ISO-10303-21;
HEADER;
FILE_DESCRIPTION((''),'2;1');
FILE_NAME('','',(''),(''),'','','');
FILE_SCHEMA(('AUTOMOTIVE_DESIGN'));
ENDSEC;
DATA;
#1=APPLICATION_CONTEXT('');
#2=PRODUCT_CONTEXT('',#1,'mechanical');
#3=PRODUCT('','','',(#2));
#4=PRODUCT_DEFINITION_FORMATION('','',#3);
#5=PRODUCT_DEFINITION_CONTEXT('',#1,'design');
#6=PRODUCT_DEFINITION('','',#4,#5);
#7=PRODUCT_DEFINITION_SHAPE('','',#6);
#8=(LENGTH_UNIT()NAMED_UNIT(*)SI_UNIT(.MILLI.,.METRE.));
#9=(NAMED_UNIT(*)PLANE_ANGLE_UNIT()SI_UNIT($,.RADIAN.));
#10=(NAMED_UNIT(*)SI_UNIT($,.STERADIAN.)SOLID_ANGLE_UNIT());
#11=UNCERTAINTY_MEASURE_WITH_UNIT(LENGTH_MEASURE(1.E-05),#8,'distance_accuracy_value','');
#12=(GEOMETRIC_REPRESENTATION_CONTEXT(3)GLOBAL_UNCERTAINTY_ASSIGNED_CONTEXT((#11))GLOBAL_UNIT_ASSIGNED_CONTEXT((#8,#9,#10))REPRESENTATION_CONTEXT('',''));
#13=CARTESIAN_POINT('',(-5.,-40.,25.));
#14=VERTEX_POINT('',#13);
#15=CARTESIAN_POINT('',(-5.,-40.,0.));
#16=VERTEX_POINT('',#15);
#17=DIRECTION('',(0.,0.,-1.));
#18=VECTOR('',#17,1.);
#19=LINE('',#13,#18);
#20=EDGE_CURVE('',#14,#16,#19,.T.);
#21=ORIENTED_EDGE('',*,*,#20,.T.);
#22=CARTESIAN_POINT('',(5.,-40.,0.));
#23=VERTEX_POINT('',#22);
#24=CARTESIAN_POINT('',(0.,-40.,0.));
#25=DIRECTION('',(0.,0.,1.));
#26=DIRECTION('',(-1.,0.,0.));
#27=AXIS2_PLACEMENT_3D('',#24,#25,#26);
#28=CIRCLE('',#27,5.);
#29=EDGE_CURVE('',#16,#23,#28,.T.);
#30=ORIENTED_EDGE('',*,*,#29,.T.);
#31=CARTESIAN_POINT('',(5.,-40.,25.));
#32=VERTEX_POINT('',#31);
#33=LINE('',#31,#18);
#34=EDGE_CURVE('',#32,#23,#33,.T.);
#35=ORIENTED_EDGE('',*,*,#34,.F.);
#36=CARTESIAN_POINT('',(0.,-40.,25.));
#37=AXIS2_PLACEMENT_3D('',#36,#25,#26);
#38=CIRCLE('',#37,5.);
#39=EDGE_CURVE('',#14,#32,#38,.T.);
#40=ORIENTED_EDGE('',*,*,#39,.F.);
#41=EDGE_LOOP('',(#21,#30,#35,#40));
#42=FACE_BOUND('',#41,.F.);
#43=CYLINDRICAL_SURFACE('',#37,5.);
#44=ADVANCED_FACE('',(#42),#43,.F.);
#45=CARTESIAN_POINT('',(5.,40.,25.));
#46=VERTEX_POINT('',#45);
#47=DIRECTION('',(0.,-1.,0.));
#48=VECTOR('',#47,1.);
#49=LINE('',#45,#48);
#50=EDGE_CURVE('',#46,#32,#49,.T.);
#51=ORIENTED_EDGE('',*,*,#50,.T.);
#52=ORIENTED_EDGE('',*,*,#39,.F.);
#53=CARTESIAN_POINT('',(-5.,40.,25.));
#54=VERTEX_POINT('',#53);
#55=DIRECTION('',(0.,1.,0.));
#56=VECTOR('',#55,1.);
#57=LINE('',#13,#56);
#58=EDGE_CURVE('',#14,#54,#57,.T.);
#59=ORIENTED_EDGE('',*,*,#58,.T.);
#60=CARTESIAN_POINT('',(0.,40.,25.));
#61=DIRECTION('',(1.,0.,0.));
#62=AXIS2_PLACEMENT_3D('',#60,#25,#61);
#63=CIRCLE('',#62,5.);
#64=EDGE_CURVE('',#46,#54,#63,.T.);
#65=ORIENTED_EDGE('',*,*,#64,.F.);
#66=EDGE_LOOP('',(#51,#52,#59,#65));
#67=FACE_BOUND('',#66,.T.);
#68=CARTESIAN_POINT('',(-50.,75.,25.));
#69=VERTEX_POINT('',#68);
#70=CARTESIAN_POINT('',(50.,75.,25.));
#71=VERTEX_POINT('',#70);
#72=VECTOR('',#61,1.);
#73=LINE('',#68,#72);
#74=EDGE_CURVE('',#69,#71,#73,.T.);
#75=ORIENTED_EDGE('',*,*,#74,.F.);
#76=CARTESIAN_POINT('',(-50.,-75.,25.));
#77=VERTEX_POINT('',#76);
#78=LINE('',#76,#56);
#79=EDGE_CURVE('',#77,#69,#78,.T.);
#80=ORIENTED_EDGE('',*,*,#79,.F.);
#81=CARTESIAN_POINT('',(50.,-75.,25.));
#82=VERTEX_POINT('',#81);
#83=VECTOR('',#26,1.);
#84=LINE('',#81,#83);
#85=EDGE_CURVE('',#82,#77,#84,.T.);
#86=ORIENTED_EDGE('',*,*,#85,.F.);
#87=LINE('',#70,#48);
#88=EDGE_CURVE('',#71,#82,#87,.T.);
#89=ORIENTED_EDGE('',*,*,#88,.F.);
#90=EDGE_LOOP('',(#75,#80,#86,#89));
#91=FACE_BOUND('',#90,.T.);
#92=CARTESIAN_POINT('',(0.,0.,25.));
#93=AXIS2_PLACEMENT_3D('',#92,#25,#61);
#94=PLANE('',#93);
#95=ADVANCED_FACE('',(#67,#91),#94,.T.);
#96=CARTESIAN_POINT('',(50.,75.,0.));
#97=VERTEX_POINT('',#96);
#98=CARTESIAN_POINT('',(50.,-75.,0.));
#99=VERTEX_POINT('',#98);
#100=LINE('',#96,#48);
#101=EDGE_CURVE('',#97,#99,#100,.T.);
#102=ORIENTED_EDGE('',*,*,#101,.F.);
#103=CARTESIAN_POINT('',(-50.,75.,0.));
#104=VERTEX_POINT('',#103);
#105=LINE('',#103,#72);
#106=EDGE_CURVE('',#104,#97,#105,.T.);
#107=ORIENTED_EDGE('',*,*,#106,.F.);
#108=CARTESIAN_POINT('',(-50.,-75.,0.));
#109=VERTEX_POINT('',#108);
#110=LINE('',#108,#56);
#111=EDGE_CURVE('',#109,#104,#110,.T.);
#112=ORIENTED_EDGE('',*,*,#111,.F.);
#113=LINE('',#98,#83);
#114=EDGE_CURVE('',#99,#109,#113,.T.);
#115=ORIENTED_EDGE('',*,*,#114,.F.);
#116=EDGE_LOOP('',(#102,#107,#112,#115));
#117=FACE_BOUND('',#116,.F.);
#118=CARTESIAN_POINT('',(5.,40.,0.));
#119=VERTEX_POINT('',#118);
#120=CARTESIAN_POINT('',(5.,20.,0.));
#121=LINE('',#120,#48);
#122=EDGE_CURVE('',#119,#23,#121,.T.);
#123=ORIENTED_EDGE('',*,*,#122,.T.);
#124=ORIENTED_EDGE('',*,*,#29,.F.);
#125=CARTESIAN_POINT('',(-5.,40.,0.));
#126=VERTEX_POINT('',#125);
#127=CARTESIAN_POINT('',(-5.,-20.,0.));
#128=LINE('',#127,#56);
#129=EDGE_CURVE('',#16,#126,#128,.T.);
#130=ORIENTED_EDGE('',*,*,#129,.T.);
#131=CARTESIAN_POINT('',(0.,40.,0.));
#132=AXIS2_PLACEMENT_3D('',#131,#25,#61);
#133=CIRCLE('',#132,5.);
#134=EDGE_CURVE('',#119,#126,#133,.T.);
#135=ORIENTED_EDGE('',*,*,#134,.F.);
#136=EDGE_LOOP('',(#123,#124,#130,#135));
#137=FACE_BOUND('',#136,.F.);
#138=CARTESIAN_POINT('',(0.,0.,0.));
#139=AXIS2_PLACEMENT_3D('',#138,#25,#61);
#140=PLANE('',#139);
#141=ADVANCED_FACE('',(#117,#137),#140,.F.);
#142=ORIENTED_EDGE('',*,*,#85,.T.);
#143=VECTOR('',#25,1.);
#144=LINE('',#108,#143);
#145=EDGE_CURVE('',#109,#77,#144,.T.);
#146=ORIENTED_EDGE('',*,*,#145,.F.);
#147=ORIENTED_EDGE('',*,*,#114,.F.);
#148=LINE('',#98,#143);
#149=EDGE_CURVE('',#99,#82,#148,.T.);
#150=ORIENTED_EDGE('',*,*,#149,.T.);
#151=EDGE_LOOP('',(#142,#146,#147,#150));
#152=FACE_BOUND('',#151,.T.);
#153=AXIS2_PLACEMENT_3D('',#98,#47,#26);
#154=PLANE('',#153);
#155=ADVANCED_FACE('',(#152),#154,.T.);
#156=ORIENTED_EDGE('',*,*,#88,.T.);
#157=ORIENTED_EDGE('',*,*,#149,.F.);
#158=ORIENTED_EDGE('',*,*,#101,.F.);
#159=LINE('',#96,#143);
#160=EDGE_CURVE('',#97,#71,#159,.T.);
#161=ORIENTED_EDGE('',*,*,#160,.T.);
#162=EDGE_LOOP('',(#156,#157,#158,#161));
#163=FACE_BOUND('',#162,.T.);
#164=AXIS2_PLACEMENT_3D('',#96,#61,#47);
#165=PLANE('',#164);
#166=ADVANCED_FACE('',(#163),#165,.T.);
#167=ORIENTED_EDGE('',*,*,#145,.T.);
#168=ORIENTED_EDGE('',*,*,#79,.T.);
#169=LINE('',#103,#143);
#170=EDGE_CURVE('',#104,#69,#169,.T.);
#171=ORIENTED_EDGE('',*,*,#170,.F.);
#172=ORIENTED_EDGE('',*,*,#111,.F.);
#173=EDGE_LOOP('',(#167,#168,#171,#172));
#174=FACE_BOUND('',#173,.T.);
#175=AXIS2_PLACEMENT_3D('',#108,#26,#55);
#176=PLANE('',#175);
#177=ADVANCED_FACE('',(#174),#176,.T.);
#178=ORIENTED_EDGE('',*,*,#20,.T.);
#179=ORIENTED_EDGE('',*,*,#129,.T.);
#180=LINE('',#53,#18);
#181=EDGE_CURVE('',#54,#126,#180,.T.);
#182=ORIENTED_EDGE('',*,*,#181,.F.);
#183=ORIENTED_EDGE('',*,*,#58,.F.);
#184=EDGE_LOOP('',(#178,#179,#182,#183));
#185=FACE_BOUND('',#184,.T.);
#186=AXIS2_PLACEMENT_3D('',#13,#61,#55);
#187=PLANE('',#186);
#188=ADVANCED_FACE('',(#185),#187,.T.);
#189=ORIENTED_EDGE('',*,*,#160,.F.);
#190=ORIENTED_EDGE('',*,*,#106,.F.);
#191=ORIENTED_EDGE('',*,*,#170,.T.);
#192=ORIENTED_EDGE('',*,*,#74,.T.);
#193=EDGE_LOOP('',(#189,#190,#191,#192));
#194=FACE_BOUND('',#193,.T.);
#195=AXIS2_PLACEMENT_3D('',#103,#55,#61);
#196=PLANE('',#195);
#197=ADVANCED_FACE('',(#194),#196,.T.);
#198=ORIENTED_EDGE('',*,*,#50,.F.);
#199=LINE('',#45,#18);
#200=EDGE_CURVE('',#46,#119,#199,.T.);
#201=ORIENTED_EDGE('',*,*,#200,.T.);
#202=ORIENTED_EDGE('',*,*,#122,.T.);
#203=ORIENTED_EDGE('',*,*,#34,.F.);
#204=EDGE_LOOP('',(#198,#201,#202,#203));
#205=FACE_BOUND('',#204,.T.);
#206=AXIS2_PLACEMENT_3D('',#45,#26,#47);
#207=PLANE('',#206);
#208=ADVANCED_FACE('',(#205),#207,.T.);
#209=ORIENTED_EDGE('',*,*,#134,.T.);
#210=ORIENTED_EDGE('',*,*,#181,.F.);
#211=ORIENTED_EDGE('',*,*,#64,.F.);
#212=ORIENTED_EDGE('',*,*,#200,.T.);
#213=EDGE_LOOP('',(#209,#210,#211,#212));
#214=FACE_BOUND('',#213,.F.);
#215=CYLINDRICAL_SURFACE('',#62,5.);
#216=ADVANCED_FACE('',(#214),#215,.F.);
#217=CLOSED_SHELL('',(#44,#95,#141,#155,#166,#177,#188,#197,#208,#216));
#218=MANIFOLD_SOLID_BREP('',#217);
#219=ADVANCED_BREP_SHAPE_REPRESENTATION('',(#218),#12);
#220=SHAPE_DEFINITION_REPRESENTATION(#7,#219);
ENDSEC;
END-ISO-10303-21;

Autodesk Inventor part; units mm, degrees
ref_plane "YZ Plane" through (0, 0, 0) normal (1, 0, 0) x (0, 1, 0)
ref_plane "XZ Plane" through (0, 0, 0) normal (0, 1, 0) x (-1, 0, 0)
ref_plane "XY Plane" through (0, 0, 0) normal (0, 0, 1) x (1, 0, 0)
sketch "Sketch1" plane through (0, 0, 0) normal (0, 0, 1) x (1, 0, 0)
  line L0 (-50, 75) -> (50, 75)
  line L1 (50, 75) -> (50, -75)
  line L2 (50, -75) -> (-50, -75)
  line L3 (-50, -75) -> (-50, 75)
  point P0 (0, 0)
  point P1 (0, 75)
  point P2 (-50, 0)
  dimension "d0" = 100
  dimension "d1" = 150
extrude "Extrusion1" add sketch "Sketch1" along normal blind 25
sketch "Sketch2" plane through (0, 0, 25) normal (0, 0, 1) x (1, 0, 0)
  line L0 (-50, -75) -> (50, -75) projected
  line L1 (0, -75) -> (0, -50) construction
  line L2 (0, -50) -> (0, -40) construction
  line L3 (-5, 40) -> (5, 40) construction
  line L4 (5, 40) -> (5, -40)
  line L5 (5, -40) -> (-5, -40) construction
  line L6 (-5, -40) -> (-5, 40)
  arc A0 (-5, -40) -> (5, -40) centre (0, -40) ccw
  arc A1 (5, 40) -> (-5, 40) centre (0, 40) ccw
  line L7 (50, 75) -> (-50, 75) projected
  line L8 (0, 75) -> (0, 50) construction
  line L9 (0, 50) -> (0, 40) construction
  point P0 (0, 0)
  dimension "d4" = 25
  dimension "d5" = 10
  dimension "d6" = 10
  dimension "d8" = 25
  dimension "d11" = 10
extrude "Extrusion2" cut sketch "Sketch2" against normal through all
properties part number "Foam_Hammer_Side" material "Polystyrene, Expanded"
